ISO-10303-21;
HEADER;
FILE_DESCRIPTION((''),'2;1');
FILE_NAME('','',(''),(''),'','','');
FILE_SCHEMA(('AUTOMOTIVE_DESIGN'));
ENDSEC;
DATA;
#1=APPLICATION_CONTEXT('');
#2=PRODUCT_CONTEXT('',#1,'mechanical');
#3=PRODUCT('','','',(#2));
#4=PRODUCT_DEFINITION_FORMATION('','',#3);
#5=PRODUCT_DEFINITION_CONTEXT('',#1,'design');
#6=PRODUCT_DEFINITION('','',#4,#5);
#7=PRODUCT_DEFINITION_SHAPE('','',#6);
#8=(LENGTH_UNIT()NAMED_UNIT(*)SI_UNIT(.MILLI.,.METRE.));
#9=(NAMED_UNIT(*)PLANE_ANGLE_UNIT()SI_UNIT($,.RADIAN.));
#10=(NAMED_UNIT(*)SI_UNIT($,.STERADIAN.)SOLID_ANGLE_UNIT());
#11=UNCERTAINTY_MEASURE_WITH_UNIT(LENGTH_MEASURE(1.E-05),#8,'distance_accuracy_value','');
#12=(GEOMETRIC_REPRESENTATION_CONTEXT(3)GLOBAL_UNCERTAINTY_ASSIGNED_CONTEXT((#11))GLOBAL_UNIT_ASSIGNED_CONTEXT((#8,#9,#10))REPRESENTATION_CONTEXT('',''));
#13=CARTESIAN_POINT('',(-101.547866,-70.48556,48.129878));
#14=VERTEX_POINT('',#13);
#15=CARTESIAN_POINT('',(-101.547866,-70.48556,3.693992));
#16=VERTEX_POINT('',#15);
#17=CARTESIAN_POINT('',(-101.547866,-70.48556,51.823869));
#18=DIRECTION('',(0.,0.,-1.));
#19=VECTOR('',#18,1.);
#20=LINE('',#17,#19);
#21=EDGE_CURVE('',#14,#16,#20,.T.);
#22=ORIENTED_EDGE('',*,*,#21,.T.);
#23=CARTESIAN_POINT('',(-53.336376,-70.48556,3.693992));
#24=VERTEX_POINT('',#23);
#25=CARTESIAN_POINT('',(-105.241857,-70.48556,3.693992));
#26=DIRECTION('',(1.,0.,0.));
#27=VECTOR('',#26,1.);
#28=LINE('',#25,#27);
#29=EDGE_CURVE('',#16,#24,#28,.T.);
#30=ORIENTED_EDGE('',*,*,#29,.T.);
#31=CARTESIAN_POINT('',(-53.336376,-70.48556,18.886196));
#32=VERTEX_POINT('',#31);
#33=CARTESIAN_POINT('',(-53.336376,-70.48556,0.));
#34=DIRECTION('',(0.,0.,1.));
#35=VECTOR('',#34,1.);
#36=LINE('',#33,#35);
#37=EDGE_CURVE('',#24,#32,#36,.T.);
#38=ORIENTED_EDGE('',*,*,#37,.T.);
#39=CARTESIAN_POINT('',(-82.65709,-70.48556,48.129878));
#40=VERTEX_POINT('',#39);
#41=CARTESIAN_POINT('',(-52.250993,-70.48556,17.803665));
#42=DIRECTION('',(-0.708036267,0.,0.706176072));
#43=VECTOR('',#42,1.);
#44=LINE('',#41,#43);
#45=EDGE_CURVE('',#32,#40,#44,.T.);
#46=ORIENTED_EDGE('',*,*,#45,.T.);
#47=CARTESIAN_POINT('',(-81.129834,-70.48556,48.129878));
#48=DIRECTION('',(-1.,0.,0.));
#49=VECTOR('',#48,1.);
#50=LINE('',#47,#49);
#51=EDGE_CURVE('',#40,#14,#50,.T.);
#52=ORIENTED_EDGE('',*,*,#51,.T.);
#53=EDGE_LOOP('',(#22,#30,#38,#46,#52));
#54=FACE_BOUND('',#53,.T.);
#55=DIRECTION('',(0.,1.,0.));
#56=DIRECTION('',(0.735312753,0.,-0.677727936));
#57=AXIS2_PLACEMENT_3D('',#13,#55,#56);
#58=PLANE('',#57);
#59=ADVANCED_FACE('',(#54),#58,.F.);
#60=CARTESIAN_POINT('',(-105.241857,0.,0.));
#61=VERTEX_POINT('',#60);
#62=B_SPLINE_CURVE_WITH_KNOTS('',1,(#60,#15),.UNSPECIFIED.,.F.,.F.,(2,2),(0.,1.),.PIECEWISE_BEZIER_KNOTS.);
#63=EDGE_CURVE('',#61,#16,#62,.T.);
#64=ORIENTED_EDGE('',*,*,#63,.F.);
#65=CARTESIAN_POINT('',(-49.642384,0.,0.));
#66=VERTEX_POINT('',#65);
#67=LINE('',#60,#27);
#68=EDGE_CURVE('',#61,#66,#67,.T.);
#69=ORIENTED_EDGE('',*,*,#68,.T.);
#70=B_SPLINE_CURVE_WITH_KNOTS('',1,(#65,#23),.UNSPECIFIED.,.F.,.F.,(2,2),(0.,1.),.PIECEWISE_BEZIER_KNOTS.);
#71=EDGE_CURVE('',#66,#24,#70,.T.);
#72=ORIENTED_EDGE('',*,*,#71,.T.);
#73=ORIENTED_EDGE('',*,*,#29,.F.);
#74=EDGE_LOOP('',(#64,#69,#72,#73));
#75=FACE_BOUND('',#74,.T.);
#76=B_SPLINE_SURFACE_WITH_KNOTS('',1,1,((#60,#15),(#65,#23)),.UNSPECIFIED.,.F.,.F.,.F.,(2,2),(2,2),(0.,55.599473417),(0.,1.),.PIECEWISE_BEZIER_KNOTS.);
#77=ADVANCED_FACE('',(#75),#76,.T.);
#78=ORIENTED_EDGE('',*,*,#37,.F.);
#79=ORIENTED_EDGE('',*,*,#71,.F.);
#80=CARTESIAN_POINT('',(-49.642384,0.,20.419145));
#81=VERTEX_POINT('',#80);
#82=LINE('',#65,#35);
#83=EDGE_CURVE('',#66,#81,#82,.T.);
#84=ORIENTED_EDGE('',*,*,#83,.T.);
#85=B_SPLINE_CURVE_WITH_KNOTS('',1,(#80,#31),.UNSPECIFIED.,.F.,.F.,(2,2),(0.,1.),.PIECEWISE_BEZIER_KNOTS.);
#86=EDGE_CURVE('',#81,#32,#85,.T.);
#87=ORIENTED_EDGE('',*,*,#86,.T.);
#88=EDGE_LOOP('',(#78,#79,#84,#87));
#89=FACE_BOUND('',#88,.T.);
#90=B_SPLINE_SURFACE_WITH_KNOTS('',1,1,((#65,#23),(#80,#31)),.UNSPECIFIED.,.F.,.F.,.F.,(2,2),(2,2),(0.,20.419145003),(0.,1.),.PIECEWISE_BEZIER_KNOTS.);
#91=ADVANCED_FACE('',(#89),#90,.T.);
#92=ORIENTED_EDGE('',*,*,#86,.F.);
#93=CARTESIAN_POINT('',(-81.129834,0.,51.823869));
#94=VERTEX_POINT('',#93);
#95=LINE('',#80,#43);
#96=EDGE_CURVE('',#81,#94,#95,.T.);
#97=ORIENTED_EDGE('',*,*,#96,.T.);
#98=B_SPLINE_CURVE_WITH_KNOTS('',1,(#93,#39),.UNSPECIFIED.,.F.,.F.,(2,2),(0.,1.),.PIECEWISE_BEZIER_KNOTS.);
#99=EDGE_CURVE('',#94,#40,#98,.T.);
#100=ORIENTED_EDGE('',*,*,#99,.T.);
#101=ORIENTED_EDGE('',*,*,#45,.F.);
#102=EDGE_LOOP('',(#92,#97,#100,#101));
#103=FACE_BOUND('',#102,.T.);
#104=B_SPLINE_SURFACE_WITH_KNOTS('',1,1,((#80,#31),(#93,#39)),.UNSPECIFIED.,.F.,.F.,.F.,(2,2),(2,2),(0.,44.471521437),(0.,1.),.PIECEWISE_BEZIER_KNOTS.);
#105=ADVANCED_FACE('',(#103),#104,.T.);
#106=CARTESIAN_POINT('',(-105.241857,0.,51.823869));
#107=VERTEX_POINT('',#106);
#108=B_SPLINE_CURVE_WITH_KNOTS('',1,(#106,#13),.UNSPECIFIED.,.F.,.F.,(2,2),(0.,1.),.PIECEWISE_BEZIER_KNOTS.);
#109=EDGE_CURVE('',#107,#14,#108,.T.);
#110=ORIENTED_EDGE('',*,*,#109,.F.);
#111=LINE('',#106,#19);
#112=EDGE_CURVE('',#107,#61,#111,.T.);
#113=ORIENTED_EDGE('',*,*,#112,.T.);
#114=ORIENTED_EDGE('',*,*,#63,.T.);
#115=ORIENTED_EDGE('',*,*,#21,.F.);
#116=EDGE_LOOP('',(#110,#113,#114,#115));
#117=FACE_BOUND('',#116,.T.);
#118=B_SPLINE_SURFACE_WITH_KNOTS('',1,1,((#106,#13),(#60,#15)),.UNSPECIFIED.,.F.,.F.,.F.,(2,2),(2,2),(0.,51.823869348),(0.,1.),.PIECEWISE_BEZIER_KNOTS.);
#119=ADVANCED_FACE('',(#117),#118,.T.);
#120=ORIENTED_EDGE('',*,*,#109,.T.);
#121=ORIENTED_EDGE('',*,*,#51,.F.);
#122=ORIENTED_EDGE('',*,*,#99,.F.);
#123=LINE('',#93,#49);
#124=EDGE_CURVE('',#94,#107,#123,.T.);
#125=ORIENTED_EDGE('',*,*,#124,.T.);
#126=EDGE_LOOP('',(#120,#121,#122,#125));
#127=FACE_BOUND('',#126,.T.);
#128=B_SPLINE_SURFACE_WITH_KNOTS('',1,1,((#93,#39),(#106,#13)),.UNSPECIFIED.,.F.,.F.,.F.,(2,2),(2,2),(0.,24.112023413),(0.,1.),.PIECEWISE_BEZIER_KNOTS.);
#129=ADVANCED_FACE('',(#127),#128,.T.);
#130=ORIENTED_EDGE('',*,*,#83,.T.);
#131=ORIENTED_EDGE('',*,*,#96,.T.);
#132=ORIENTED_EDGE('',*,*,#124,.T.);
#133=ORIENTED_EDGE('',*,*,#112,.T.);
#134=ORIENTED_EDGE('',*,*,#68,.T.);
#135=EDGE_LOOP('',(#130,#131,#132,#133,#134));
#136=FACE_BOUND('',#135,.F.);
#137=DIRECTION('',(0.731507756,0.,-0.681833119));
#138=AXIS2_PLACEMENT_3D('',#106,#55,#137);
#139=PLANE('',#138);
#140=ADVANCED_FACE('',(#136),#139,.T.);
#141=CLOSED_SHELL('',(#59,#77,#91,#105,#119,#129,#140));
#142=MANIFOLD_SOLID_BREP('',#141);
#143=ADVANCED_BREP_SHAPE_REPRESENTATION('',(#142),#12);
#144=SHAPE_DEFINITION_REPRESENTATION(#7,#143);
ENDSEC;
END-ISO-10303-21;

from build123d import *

# Parameters (mm, degrees)
F1_DEPTH = 70.48556
F1_TAPER = 3


with BuildPart() as f1:
    # F0 (on Front) → F1 (new body)
    with BuildSketch(Plane.XZ):
        Polygon((-105.2418574691, 51.8238693476), (-105.2418574691, 0), (-49.6423840523, 0), (-49.6423840523, 20.419145003), (-81.1298340559, 51.8238693476), align=None)
    extrude(amount=F1_DEPTH, taper=F1_TAPER)


solid = f1.part
